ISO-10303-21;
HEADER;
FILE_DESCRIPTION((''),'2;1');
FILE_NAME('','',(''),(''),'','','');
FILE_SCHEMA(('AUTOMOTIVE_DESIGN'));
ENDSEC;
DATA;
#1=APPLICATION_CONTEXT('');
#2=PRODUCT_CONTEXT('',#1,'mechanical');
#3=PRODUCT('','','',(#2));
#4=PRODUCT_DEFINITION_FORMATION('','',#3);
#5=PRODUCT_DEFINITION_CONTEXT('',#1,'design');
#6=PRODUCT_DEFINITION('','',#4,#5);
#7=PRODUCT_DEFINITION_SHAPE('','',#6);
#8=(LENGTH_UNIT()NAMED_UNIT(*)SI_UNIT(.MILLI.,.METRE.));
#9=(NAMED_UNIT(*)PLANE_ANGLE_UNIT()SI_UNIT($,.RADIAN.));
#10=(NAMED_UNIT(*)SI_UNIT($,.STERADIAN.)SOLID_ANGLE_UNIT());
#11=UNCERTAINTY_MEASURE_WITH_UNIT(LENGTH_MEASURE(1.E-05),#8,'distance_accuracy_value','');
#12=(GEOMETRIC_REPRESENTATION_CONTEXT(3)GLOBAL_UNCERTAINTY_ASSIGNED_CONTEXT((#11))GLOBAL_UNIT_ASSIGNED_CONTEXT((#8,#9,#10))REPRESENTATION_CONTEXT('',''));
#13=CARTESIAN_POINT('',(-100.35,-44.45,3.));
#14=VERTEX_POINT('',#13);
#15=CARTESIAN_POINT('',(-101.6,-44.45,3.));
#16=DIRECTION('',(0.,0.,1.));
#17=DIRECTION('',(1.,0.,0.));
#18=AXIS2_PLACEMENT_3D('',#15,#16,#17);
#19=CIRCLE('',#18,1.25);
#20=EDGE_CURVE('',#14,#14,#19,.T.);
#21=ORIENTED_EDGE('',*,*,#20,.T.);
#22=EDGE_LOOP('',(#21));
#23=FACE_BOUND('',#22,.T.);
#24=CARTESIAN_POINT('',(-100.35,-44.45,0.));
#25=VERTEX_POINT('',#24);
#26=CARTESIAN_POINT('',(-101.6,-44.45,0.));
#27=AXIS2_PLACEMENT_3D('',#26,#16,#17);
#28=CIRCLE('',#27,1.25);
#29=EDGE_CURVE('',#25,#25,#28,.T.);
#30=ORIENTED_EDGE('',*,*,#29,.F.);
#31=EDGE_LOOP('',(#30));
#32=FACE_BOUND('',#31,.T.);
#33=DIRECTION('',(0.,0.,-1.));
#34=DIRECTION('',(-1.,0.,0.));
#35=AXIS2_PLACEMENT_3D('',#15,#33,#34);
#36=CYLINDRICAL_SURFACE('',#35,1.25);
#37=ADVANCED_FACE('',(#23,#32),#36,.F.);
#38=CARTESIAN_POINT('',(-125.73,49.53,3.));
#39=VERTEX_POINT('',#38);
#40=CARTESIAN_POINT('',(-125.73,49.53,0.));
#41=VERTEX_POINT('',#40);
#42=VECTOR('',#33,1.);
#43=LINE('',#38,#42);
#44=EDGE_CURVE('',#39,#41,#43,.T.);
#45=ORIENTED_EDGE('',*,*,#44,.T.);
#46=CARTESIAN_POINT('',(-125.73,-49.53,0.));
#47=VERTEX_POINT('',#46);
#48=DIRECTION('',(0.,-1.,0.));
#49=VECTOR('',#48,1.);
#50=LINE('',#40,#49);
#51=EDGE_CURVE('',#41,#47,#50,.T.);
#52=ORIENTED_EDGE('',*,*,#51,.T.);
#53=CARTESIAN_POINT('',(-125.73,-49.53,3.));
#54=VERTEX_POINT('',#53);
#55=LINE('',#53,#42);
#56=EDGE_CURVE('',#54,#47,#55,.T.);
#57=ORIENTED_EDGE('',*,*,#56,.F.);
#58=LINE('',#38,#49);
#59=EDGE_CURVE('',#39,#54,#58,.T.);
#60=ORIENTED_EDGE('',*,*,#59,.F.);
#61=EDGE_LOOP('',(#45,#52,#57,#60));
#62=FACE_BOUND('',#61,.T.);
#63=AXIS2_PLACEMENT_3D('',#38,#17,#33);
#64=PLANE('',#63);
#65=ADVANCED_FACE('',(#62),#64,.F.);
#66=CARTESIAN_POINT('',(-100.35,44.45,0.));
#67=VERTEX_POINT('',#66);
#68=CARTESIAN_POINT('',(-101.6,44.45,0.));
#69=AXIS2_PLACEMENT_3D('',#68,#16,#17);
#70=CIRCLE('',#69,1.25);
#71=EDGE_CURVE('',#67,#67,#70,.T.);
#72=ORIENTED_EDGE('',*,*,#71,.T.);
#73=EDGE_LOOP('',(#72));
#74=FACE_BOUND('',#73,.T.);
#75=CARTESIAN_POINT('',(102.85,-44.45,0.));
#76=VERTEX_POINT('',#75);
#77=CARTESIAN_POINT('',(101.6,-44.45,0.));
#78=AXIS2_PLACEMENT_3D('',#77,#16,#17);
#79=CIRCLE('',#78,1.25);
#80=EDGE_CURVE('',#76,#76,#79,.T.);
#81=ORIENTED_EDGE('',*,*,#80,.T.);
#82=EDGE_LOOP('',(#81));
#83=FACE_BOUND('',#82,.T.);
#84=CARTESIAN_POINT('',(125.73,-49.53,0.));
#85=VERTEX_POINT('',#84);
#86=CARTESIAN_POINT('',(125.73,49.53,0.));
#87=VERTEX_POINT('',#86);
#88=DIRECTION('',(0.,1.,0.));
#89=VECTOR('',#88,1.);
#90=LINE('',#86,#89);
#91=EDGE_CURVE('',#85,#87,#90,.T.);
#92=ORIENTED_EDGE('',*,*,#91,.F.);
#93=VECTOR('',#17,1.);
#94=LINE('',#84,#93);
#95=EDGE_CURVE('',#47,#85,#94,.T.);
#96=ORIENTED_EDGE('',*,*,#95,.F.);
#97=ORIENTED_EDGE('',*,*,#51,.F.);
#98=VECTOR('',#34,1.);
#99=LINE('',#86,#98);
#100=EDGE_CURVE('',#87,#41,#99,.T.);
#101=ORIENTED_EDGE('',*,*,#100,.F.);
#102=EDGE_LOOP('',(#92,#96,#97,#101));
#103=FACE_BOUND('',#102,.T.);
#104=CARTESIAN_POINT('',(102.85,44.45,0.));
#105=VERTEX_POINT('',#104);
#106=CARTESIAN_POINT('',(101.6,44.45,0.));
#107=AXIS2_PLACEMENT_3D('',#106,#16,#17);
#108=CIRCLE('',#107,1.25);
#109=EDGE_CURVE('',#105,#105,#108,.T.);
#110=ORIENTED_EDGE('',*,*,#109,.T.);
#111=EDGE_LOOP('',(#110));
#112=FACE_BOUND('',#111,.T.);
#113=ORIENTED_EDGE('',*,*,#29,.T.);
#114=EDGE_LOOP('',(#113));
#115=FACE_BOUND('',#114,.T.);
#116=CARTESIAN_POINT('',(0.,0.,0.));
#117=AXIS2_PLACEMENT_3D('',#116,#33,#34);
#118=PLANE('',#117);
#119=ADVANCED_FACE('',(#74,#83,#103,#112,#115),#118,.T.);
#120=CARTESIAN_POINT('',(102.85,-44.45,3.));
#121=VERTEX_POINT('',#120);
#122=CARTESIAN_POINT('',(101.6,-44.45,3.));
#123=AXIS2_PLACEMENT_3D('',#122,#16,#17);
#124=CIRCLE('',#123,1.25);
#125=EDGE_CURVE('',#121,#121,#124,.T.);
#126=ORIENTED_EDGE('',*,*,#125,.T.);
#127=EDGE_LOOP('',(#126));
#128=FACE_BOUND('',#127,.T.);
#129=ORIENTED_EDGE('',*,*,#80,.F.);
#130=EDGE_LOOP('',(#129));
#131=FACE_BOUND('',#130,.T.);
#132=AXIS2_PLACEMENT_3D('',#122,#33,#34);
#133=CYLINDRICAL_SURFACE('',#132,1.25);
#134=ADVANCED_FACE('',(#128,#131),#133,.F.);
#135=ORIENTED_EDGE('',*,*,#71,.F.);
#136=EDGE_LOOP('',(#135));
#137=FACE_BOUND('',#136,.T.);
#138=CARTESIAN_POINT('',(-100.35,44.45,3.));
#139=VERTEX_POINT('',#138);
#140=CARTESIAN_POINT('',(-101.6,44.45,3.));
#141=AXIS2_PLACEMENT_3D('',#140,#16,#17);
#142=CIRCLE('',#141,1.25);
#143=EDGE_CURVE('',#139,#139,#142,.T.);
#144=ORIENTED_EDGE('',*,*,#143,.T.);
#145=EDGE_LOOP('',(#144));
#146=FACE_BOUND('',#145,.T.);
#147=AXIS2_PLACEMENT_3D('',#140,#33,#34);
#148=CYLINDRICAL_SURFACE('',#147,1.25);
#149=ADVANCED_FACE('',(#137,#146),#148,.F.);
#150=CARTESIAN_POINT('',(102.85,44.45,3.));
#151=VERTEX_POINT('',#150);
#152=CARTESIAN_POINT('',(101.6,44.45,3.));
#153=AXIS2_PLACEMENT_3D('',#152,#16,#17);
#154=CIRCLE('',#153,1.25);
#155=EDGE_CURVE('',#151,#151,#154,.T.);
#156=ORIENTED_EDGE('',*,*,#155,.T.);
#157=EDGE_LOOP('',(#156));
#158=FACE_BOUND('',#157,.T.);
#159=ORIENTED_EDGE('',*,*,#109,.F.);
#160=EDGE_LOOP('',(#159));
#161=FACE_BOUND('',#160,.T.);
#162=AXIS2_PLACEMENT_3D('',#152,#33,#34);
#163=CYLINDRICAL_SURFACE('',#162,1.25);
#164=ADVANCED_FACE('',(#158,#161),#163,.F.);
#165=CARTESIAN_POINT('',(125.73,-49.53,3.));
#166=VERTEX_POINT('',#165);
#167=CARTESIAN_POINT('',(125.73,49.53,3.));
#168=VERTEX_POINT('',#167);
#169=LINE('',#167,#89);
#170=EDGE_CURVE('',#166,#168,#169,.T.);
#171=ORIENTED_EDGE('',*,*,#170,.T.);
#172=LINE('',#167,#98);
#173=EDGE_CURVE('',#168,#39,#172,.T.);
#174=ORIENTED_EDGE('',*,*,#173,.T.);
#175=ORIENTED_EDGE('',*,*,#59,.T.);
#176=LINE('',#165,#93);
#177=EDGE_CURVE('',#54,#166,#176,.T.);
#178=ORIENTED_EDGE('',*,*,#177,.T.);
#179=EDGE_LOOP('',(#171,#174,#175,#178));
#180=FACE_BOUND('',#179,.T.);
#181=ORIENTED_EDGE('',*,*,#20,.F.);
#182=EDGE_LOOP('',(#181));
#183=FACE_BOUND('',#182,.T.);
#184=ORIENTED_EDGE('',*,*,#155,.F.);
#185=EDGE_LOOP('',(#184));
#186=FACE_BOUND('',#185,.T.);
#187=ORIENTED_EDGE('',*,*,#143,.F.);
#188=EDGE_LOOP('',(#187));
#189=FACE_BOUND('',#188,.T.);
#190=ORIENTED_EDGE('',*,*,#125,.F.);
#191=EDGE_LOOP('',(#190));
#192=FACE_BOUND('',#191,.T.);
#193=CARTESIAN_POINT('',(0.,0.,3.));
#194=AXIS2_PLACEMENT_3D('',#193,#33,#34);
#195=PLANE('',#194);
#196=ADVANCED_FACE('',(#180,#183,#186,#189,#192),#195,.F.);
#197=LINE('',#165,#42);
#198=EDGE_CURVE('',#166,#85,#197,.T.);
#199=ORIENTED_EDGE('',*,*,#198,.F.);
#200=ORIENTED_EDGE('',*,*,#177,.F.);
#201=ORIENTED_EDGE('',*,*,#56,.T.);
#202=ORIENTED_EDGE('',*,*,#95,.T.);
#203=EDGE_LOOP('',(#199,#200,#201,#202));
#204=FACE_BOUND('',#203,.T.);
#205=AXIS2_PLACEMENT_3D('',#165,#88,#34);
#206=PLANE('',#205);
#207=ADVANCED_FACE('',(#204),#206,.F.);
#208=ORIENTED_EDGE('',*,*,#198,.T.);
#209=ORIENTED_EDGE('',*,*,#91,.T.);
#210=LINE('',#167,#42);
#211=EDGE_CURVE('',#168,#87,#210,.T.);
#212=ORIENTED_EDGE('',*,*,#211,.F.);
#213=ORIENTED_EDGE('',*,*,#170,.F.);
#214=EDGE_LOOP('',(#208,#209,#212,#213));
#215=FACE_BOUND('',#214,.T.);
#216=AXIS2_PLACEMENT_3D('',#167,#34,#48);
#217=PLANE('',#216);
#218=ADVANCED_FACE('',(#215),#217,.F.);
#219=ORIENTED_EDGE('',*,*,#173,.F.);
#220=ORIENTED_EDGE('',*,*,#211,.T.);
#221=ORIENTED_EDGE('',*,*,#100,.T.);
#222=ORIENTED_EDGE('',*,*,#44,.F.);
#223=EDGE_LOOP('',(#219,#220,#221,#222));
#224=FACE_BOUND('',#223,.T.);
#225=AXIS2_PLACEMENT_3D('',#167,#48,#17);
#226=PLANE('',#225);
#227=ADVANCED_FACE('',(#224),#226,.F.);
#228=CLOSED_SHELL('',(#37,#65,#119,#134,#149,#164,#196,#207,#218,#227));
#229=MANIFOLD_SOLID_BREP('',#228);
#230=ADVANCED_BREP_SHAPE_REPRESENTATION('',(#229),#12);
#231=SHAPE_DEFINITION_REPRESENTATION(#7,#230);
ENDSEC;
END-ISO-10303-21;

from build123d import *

# Parameters (mm, degrees)
SKETCH1_W           = 251.46
SKETCH1_H           = 99.06
SKETCH1_R           = 1.25
BOSS_EXTRUDE1_DEPTH = 3


with BuildPart() as part:
    # Sketch1 → Boss-Extrude1 (new body)
    with BuildSketch(Plane.XY):
        Rectangle(SKETCH1_W, SKETCH1_H)
        with Locations((-101.6, 44.45)):
            Circle(SKETCH1_R, mode=Mode.SUBTRACT)
        with Locations((101.6, 44.45)):
            Circle(SKETCH1_R, mode=Mode.SUBTRACT)
        with Locations((101.6, -44.45)):
            Circle(SKETCH1_R, mode=Mode.SUBTRACT)
        with Locations((-101.6, -44.45)):
            Circle(SKETCH1_R, mode=Mode.SUBTRACT)
    extrude(amount=BOSS_EXTRUDE1_DEPTH)


solid = part.part
